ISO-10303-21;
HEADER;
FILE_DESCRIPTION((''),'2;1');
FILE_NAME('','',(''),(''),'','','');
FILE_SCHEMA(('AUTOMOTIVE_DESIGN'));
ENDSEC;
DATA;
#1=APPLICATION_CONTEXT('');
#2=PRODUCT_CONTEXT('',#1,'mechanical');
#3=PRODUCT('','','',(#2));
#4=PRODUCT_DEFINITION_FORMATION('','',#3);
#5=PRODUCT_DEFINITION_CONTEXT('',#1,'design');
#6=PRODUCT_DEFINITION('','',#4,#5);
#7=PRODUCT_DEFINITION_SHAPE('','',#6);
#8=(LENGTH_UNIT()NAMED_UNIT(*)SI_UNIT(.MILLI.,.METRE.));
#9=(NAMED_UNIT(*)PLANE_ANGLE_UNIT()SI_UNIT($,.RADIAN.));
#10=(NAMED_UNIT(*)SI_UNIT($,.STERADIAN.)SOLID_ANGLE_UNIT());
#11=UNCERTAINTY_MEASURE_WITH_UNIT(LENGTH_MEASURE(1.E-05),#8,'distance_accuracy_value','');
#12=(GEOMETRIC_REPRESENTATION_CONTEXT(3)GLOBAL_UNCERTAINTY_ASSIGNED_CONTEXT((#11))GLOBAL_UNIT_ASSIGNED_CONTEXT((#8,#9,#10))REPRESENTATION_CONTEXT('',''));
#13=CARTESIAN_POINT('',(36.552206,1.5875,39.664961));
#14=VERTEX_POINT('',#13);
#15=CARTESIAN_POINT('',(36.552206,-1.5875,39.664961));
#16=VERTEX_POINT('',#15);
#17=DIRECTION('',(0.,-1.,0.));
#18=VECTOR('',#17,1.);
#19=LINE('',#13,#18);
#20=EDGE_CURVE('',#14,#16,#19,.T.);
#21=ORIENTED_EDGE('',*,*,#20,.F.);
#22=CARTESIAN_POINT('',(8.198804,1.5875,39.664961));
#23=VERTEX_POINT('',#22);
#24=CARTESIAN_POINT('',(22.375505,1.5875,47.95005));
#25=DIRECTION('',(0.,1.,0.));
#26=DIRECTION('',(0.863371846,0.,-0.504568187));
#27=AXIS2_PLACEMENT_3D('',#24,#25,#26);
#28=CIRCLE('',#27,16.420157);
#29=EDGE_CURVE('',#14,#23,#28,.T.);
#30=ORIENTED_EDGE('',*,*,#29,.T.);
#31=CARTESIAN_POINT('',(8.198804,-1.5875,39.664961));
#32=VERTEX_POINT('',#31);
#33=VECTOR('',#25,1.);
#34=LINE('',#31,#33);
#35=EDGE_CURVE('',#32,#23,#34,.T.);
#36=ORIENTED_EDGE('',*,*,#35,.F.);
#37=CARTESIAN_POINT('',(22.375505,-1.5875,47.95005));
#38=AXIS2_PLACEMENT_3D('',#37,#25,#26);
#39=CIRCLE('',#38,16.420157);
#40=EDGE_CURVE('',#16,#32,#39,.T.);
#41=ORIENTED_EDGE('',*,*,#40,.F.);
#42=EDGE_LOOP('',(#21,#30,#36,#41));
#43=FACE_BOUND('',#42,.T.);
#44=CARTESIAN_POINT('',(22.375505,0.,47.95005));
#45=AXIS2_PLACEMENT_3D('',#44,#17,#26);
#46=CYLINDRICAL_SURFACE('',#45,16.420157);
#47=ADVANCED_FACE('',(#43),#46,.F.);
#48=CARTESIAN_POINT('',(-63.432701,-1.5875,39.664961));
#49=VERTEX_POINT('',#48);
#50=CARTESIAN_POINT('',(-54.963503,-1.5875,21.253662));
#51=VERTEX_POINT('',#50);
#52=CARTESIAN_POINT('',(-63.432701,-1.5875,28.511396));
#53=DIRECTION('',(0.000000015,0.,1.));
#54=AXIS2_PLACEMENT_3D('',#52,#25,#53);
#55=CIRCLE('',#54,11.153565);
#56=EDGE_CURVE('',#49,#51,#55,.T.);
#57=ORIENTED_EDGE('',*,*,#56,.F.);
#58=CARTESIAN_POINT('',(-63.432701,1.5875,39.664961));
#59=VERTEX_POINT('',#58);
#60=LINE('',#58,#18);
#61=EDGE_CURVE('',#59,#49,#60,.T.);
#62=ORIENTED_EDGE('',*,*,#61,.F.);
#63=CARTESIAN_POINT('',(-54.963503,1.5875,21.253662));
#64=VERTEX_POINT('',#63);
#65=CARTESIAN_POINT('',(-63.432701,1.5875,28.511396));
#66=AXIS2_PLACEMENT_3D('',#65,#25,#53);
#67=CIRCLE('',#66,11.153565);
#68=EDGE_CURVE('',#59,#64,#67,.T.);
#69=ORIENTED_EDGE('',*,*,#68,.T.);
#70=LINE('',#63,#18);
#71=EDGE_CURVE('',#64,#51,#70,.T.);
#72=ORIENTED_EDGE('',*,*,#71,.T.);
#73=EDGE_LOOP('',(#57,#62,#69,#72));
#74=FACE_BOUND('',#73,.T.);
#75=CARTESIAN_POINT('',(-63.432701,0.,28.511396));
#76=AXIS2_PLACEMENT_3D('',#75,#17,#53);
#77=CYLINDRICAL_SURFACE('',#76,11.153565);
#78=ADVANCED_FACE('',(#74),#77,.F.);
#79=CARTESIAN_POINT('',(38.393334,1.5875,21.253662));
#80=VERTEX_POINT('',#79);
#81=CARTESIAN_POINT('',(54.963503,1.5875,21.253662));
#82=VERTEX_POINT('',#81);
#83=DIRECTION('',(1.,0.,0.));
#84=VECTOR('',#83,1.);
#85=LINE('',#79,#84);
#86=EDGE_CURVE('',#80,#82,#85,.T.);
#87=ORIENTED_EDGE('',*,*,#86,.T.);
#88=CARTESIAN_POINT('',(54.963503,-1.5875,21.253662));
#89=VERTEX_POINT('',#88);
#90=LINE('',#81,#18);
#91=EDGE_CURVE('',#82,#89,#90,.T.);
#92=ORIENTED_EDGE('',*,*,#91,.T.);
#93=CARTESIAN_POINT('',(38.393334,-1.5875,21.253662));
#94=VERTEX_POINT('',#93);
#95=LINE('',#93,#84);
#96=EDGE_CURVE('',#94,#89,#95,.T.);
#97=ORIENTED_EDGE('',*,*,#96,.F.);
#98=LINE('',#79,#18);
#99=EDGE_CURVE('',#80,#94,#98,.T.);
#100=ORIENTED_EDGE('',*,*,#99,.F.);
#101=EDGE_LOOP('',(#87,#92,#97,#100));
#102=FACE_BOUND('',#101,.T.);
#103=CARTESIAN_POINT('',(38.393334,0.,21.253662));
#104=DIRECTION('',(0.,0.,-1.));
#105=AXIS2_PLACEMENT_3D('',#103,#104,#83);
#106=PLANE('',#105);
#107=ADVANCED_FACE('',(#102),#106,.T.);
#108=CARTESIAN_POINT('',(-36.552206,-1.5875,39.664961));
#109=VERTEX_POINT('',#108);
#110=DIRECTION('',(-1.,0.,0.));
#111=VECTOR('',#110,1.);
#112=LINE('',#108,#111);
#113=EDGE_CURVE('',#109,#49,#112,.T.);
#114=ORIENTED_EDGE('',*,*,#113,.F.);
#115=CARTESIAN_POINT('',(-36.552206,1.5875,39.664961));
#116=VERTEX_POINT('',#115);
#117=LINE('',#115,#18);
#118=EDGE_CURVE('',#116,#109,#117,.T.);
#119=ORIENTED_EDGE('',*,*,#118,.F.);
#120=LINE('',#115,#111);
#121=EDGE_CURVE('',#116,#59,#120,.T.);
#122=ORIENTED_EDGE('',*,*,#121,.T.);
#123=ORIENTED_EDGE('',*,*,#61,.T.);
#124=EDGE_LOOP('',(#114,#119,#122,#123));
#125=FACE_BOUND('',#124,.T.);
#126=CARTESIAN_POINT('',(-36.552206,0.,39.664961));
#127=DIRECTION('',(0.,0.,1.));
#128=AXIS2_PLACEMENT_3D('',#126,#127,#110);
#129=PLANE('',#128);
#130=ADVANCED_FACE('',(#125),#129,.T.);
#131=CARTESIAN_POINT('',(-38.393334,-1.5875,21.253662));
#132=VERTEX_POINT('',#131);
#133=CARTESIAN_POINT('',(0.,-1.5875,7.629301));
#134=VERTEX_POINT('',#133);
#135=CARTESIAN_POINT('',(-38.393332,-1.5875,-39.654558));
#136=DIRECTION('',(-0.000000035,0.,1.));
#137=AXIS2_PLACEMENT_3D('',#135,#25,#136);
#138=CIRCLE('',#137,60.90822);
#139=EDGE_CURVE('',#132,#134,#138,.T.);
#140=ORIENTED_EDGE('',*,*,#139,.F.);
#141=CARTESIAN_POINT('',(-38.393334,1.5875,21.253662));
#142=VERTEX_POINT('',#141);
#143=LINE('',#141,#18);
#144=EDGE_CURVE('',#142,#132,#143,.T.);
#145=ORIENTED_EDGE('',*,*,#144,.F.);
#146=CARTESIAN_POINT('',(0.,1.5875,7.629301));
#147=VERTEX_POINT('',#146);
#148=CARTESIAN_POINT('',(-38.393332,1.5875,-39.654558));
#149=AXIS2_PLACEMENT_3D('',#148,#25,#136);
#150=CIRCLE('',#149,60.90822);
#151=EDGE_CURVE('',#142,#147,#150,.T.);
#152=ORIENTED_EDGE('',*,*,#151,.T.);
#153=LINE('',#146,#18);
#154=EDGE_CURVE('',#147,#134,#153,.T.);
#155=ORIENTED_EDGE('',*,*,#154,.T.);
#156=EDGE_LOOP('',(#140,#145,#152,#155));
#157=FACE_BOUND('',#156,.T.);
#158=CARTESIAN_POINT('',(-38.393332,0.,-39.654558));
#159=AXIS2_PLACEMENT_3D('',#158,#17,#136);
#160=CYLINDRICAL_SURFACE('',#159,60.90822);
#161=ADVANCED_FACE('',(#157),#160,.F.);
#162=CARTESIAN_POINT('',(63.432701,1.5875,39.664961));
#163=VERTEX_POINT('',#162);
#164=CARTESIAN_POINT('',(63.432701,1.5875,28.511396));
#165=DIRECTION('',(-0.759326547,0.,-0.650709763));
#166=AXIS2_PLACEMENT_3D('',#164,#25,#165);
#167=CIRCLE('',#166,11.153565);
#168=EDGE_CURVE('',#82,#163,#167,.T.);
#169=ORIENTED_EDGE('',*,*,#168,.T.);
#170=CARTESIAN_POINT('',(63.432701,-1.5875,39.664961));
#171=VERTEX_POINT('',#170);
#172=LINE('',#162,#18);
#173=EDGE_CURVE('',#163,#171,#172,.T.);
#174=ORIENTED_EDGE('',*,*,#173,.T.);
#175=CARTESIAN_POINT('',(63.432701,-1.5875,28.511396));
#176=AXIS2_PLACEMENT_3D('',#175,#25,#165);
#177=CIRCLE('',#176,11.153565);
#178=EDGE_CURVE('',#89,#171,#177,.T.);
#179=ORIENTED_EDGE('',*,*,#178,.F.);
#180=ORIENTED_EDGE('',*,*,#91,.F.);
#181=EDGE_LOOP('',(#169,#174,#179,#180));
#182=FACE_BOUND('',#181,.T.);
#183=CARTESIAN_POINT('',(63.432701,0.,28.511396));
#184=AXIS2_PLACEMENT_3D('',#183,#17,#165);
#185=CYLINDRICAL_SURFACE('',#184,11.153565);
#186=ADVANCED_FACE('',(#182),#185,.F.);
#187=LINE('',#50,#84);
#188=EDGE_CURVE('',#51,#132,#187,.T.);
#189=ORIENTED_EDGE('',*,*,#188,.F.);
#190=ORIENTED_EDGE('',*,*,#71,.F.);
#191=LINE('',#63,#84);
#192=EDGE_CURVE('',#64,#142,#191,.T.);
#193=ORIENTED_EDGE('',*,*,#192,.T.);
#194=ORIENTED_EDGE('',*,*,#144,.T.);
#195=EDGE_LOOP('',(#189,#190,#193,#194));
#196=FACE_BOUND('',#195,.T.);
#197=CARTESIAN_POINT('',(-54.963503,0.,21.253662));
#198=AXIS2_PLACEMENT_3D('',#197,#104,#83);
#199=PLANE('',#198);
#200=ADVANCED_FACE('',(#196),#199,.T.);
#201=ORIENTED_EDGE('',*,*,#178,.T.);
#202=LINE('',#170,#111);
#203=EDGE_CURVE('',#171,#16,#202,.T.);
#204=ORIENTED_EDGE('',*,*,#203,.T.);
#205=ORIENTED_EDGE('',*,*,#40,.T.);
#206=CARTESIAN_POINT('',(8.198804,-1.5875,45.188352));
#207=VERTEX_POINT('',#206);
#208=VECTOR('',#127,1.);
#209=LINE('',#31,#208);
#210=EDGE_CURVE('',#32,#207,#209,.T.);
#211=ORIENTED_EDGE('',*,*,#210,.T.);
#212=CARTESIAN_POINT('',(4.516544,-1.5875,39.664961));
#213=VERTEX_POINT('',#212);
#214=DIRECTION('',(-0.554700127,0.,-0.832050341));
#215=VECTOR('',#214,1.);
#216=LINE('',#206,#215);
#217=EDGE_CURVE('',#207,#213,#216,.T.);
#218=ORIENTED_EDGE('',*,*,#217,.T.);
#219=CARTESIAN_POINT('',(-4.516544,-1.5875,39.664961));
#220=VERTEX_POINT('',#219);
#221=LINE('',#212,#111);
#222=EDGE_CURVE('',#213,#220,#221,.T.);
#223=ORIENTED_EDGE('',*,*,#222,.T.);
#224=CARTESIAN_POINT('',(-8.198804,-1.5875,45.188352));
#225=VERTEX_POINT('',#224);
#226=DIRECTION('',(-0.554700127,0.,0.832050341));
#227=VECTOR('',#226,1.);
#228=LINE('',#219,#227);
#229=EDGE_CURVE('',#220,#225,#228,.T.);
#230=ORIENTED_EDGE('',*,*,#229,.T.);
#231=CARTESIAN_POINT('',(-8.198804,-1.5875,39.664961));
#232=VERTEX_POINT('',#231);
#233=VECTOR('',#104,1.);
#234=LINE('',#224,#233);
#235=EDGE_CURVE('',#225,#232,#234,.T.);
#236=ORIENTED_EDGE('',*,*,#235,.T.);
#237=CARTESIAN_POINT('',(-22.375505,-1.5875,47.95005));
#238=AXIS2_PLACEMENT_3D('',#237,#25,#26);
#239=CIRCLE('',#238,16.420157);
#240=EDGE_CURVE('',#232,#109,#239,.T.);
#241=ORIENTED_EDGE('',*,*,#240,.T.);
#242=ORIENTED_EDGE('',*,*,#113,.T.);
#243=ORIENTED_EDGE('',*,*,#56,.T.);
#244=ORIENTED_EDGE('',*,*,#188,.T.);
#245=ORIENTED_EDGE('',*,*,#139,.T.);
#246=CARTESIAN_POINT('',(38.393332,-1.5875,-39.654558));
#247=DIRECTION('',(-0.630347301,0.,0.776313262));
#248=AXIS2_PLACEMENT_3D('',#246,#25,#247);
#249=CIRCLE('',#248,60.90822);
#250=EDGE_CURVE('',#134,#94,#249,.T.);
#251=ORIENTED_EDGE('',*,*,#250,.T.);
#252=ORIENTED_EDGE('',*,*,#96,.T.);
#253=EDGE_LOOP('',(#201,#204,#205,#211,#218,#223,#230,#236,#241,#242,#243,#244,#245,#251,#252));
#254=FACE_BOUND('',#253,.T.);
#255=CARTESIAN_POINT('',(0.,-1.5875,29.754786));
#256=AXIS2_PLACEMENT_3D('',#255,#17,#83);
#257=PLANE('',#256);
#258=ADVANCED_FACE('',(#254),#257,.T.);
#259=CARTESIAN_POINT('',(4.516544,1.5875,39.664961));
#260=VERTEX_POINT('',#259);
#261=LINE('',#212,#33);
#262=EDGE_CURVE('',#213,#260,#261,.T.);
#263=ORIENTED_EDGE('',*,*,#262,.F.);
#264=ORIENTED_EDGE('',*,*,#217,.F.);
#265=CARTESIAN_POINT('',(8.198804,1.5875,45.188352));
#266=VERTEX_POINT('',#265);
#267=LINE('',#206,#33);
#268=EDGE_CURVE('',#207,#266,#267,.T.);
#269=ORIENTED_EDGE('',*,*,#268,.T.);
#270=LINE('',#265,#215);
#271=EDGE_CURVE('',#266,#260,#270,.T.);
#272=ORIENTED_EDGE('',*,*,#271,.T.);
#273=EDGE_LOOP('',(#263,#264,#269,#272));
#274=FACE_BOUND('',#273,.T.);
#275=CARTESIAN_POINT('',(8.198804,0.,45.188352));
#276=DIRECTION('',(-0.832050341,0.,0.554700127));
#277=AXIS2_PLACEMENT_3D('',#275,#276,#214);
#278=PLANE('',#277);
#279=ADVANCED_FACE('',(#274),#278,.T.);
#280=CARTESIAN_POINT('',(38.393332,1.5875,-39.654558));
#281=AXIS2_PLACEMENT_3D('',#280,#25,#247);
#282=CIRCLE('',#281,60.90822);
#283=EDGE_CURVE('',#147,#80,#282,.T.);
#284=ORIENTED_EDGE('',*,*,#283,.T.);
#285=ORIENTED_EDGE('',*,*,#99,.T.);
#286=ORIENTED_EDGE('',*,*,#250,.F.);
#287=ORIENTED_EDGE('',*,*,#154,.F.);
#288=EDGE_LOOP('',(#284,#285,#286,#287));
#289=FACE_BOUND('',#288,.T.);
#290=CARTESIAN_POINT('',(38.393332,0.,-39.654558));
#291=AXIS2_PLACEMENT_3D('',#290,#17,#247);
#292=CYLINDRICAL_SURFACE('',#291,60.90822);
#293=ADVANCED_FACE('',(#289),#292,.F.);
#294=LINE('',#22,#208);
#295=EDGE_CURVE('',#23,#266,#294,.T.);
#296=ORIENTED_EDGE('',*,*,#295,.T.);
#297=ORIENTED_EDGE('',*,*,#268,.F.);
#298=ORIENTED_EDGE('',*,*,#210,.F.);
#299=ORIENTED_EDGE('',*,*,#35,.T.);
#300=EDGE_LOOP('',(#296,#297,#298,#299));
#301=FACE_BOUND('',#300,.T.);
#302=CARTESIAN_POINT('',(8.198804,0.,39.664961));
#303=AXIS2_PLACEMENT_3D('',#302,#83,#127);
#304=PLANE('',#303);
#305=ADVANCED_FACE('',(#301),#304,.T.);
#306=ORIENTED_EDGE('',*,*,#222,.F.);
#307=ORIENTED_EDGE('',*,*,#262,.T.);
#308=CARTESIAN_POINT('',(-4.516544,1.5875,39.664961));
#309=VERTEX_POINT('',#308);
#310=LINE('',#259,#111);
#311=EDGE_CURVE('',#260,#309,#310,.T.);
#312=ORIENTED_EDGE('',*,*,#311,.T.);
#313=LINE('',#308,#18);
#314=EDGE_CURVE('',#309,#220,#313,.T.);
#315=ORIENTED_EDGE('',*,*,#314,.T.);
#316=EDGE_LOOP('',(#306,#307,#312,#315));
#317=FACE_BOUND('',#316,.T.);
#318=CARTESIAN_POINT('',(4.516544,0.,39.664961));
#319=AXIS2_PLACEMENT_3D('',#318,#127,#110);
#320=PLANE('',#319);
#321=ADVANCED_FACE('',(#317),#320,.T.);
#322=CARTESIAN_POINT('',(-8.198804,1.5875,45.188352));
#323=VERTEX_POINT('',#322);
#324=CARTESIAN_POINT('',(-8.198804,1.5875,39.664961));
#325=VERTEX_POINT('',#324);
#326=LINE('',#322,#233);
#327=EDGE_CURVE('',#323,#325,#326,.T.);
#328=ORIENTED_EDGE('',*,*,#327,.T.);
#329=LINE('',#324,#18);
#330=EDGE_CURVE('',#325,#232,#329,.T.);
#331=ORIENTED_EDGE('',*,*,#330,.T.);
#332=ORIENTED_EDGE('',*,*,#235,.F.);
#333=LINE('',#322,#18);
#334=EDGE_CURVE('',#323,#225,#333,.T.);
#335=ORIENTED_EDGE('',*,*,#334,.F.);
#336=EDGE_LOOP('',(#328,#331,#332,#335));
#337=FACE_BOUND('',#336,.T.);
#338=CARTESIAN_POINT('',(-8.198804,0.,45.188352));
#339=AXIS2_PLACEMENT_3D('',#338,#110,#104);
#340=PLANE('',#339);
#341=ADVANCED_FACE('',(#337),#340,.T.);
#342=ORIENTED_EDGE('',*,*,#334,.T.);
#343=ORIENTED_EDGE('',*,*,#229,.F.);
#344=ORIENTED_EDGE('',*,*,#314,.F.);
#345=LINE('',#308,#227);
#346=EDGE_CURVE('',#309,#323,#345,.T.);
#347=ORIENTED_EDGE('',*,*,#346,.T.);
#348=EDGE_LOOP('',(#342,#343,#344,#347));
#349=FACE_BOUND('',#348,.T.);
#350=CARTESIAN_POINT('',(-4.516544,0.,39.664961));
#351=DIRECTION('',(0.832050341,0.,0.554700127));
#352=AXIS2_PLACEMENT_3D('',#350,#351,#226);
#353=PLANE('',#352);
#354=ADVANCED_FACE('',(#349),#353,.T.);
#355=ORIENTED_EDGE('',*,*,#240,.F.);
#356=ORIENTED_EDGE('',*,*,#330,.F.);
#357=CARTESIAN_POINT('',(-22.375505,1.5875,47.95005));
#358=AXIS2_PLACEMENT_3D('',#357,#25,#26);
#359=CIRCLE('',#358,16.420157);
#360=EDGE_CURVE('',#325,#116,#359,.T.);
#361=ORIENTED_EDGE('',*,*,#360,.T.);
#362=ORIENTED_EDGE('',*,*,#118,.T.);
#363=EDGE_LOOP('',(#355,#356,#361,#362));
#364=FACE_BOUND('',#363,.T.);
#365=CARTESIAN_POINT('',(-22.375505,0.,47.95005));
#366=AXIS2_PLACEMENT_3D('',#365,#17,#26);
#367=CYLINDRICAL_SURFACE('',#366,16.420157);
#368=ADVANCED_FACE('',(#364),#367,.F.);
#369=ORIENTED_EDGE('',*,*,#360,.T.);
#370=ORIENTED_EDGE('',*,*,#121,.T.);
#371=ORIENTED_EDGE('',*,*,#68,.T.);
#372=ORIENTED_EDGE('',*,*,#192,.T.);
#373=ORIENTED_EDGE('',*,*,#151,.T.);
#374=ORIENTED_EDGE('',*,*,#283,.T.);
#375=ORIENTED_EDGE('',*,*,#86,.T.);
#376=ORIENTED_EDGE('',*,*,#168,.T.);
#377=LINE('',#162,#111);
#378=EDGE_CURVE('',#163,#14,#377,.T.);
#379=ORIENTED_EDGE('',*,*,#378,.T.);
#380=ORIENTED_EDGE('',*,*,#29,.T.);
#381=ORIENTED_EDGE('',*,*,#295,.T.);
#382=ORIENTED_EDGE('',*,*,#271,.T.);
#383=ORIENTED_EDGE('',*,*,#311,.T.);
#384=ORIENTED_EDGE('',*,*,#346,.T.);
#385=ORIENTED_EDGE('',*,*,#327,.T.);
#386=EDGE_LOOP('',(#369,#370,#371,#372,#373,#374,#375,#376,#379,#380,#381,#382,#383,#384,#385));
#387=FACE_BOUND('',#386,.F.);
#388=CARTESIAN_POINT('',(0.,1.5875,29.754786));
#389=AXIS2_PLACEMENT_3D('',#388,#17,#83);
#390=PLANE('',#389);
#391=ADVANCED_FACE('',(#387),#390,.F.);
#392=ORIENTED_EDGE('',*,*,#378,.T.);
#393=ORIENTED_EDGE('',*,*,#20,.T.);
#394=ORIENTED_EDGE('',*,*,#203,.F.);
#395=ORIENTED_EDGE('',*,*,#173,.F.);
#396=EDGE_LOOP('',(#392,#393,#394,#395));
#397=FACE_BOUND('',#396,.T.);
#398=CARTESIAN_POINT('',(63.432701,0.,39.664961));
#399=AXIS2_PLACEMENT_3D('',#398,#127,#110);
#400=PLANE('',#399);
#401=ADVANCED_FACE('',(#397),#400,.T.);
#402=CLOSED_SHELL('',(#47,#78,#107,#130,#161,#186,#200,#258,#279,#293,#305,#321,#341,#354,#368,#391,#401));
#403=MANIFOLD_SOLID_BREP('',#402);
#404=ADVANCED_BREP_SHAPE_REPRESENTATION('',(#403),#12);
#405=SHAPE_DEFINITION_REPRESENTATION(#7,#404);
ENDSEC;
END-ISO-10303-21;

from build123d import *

# Parameters (mm, degrees)
F1_DEPTH = 1.5875


with BuildPart() as f1:
    # F0 (on Front) → F1 (new body, symmetric)
    with BuildSketch(Plane.XZ):
        with BuildLine():
            Line((4.516544, 39.664961), (0, 39.664961))
            Line((0, 39.664961), (-4.516544, 39.664961))
            Line((-4.516544, 39.664961), (-8.198804, 45.188352))
            Line((-8.198804, 45.188352), (-8.198804, 39.664961))
            ThreePointArc((-8.198804, 39.664961), (-22.375505, 31.529893), (-36.552206, 39.664961))
            Line((-36.552206, 39.664961), (-63.432701, 39.664961))
            ThreePointArc((-63.432701, 39.664961), (-53.299794, 33.172534), (-54.963503, 21.253662))
            Line((-54.963503, 21.253662), (-38.393334, 21.253662))
            ThreePointArc((-38.393334, 21.253662), (-18.023802, 17.746605), (0, 7.629301))
            ThreePointArc((0, 7.629301), (18.023802, 17.746605), (38.393334, 21.253662))
            Line((38.393334, 21.253662), (54.963503, 21.253662))
            ThreePointArc((54.963503, 21.253662), (53.299794, 33.172534), (63.432701, 39.664961))
            Line((63.432701, 39.664961), (36.552206, 39.664961))
            ThreePointArc((36.552206, 39.664961), (22.375505, 31.529893), (8.198804, 39.664961))
            Line((8.198804, 39.664961), (8.198804, 45.188352))
            Line((8.198804, 45.188352), (4.516544, 39.664961))
        make_face()
    extrude(amount=F1_DEPTH, both=True)


solid = f1.part
